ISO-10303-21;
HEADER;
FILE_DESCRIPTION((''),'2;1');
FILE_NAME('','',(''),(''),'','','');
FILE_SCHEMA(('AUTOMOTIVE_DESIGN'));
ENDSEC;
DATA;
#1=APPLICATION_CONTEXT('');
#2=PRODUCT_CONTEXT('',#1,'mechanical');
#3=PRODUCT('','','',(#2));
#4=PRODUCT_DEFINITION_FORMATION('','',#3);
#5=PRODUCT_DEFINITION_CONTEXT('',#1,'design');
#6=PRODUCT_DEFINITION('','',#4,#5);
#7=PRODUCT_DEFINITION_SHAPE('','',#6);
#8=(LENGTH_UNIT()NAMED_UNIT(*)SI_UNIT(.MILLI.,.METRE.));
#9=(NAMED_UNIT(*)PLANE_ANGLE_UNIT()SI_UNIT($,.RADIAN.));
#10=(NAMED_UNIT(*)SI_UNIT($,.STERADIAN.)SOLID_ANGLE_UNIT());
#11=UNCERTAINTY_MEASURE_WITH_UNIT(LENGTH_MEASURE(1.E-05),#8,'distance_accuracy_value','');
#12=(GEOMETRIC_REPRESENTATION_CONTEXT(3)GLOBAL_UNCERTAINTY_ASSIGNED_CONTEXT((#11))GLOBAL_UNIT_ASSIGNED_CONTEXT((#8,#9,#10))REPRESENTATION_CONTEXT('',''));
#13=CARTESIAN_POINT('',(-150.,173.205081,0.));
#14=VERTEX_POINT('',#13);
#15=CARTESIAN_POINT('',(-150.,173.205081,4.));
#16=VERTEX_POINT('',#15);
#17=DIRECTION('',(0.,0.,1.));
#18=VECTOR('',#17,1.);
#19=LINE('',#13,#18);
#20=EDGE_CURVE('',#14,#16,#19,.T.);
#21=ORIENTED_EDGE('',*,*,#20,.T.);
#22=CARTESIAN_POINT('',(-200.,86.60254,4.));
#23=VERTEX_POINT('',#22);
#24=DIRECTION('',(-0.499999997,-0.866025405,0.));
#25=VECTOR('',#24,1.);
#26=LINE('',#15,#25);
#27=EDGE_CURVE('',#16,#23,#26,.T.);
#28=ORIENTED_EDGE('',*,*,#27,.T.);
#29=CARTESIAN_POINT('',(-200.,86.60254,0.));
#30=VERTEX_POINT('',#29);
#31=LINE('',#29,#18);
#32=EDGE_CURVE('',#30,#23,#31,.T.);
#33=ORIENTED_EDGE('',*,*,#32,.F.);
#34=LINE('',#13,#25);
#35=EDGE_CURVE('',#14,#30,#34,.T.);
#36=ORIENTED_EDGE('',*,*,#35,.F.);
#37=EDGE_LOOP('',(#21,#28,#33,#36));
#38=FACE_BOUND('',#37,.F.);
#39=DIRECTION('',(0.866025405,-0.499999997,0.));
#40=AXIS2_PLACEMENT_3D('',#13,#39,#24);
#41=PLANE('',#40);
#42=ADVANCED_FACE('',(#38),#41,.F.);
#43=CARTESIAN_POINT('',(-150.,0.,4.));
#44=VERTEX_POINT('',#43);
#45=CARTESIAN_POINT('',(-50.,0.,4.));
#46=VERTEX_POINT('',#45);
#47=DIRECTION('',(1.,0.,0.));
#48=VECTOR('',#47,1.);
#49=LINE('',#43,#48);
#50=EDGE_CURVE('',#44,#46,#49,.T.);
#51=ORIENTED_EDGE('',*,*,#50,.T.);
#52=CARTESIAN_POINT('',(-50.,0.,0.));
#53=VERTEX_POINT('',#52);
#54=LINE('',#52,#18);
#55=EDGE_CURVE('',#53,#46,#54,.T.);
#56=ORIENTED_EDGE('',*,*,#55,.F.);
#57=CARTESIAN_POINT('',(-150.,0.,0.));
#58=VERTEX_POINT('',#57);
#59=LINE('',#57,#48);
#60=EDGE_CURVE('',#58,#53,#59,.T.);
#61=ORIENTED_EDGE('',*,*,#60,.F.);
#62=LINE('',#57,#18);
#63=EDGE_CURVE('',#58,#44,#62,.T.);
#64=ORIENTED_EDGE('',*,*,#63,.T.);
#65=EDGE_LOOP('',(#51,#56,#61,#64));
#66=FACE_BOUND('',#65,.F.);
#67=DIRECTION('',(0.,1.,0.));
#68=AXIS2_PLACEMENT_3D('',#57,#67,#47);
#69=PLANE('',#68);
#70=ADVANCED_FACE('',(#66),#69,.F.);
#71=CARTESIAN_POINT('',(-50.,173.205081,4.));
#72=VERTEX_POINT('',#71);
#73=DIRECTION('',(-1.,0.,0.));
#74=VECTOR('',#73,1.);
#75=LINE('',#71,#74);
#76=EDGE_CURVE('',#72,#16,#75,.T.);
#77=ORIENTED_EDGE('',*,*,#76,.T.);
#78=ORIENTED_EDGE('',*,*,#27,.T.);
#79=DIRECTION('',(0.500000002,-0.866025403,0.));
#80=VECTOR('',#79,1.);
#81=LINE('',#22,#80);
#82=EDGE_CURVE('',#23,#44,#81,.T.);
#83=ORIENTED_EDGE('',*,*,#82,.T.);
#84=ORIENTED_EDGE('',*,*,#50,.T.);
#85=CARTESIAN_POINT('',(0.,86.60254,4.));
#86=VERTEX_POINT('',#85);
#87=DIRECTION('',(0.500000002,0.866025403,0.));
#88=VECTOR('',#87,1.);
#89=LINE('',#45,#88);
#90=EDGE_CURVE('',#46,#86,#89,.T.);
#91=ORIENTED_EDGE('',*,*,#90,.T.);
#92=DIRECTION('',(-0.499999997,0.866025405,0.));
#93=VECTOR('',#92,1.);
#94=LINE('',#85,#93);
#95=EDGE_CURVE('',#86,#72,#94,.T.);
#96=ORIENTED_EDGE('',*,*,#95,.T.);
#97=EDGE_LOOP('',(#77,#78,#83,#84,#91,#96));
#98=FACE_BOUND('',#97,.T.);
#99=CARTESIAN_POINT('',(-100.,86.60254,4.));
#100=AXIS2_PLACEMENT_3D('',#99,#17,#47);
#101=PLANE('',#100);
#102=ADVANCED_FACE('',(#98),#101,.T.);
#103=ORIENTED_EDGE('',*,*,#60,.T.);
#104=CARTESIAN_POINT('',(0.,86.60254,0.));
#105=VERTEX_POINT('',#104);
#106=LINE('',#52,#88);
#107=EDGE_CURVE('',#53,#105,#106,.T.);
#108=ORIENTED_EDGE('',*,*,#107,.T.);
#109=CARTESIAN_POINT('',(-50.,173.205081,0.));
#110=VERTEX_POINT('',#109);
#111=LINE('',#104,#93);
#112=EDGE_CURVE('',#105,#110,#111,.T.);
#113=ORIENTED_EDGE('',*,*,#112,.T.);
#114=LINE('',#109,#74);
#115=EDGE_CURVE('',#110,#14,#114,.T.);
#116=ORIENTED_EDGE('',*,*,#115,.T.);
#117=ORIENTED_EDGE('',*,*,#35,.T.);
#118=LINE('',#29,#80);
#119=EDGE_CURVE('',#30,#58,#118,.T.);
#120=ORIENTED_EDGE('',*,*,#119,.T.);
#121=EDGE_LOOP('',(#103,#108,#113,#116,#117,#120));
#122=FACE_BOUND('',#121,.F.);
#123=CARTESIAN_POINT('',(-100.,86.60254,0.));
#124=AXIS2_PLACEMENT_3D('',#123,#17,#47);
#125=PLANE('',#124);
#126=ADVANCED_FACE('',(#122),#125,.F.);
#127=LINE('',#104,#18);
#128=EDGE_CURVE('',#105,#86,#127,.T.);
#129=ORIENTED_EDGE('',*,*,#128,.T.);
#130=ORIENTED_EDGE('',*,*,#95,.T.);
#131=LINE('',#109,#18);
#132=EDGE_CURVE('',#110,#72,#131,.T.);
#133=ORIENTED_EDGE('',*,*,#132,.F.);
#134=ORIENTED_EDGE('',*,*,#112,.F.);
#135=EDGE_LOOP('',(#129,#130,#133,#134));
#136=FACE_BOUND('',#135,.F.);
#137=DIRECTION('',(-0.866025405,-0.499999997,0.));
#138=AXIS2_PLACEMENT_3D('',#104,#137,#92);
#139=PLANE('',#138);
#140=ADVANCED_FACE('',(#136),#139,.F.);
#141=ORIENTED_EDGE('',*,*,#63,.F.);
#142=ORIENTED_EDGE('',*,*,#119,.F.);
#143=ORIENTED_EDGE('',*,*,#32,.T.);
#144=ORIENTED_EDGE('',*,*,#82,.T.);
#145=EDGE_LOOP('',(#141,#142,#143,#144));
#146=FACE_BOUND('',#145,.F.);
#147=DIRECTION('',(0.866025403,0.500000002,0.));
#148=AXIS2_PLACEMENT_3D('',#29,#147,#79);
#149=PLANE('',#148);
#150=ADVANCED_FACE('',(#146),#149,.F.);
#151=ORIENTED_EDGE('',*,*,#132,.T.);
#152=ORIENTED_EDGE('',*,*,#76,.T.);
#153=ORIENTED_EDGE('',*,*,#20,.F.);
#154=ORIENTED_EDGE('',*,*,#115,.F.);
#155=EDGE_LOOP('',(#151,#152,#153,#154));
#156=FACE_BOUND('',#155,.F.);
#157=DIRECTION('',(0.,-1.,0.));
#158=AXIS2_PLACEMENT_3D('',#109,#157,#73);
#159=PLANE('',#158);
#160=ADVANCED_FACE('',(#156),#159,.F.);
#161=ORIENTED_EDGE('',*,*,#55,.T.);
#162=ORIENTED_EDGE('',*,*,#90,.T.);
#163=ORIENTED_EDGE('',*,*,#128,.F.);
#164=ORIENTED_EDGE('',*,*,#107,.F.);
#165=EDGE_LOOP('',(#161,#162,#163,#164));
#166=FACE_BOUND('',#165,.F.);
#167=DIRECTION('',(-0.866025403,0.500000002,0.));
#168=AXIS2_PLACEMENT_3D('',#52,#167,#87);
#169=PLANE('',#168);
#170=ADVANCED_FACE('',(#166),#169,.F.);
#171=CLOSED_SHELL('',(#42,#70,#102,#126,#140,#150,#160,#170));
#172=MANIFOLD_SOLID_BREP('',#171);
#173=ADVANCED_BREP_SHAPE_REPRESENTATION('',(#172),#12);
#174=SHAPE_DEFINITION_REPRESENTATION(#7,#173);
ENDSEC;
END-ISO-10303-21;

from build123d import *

# Parameters (mm, degrees)
PAD_DEPTH = 4


with BuildPart() as part:
    # Sketch → Pad (new body)
    with BuildSketch(Plane.XY):
        Polygon((-50, 0), (0, 86.60254), (-50, 173.205081), (-150, 173.205081), (-200, 86.60254), (-150, 0), align=None)
    extrude(amount=PAD_DEPTH)


solid = part.part
